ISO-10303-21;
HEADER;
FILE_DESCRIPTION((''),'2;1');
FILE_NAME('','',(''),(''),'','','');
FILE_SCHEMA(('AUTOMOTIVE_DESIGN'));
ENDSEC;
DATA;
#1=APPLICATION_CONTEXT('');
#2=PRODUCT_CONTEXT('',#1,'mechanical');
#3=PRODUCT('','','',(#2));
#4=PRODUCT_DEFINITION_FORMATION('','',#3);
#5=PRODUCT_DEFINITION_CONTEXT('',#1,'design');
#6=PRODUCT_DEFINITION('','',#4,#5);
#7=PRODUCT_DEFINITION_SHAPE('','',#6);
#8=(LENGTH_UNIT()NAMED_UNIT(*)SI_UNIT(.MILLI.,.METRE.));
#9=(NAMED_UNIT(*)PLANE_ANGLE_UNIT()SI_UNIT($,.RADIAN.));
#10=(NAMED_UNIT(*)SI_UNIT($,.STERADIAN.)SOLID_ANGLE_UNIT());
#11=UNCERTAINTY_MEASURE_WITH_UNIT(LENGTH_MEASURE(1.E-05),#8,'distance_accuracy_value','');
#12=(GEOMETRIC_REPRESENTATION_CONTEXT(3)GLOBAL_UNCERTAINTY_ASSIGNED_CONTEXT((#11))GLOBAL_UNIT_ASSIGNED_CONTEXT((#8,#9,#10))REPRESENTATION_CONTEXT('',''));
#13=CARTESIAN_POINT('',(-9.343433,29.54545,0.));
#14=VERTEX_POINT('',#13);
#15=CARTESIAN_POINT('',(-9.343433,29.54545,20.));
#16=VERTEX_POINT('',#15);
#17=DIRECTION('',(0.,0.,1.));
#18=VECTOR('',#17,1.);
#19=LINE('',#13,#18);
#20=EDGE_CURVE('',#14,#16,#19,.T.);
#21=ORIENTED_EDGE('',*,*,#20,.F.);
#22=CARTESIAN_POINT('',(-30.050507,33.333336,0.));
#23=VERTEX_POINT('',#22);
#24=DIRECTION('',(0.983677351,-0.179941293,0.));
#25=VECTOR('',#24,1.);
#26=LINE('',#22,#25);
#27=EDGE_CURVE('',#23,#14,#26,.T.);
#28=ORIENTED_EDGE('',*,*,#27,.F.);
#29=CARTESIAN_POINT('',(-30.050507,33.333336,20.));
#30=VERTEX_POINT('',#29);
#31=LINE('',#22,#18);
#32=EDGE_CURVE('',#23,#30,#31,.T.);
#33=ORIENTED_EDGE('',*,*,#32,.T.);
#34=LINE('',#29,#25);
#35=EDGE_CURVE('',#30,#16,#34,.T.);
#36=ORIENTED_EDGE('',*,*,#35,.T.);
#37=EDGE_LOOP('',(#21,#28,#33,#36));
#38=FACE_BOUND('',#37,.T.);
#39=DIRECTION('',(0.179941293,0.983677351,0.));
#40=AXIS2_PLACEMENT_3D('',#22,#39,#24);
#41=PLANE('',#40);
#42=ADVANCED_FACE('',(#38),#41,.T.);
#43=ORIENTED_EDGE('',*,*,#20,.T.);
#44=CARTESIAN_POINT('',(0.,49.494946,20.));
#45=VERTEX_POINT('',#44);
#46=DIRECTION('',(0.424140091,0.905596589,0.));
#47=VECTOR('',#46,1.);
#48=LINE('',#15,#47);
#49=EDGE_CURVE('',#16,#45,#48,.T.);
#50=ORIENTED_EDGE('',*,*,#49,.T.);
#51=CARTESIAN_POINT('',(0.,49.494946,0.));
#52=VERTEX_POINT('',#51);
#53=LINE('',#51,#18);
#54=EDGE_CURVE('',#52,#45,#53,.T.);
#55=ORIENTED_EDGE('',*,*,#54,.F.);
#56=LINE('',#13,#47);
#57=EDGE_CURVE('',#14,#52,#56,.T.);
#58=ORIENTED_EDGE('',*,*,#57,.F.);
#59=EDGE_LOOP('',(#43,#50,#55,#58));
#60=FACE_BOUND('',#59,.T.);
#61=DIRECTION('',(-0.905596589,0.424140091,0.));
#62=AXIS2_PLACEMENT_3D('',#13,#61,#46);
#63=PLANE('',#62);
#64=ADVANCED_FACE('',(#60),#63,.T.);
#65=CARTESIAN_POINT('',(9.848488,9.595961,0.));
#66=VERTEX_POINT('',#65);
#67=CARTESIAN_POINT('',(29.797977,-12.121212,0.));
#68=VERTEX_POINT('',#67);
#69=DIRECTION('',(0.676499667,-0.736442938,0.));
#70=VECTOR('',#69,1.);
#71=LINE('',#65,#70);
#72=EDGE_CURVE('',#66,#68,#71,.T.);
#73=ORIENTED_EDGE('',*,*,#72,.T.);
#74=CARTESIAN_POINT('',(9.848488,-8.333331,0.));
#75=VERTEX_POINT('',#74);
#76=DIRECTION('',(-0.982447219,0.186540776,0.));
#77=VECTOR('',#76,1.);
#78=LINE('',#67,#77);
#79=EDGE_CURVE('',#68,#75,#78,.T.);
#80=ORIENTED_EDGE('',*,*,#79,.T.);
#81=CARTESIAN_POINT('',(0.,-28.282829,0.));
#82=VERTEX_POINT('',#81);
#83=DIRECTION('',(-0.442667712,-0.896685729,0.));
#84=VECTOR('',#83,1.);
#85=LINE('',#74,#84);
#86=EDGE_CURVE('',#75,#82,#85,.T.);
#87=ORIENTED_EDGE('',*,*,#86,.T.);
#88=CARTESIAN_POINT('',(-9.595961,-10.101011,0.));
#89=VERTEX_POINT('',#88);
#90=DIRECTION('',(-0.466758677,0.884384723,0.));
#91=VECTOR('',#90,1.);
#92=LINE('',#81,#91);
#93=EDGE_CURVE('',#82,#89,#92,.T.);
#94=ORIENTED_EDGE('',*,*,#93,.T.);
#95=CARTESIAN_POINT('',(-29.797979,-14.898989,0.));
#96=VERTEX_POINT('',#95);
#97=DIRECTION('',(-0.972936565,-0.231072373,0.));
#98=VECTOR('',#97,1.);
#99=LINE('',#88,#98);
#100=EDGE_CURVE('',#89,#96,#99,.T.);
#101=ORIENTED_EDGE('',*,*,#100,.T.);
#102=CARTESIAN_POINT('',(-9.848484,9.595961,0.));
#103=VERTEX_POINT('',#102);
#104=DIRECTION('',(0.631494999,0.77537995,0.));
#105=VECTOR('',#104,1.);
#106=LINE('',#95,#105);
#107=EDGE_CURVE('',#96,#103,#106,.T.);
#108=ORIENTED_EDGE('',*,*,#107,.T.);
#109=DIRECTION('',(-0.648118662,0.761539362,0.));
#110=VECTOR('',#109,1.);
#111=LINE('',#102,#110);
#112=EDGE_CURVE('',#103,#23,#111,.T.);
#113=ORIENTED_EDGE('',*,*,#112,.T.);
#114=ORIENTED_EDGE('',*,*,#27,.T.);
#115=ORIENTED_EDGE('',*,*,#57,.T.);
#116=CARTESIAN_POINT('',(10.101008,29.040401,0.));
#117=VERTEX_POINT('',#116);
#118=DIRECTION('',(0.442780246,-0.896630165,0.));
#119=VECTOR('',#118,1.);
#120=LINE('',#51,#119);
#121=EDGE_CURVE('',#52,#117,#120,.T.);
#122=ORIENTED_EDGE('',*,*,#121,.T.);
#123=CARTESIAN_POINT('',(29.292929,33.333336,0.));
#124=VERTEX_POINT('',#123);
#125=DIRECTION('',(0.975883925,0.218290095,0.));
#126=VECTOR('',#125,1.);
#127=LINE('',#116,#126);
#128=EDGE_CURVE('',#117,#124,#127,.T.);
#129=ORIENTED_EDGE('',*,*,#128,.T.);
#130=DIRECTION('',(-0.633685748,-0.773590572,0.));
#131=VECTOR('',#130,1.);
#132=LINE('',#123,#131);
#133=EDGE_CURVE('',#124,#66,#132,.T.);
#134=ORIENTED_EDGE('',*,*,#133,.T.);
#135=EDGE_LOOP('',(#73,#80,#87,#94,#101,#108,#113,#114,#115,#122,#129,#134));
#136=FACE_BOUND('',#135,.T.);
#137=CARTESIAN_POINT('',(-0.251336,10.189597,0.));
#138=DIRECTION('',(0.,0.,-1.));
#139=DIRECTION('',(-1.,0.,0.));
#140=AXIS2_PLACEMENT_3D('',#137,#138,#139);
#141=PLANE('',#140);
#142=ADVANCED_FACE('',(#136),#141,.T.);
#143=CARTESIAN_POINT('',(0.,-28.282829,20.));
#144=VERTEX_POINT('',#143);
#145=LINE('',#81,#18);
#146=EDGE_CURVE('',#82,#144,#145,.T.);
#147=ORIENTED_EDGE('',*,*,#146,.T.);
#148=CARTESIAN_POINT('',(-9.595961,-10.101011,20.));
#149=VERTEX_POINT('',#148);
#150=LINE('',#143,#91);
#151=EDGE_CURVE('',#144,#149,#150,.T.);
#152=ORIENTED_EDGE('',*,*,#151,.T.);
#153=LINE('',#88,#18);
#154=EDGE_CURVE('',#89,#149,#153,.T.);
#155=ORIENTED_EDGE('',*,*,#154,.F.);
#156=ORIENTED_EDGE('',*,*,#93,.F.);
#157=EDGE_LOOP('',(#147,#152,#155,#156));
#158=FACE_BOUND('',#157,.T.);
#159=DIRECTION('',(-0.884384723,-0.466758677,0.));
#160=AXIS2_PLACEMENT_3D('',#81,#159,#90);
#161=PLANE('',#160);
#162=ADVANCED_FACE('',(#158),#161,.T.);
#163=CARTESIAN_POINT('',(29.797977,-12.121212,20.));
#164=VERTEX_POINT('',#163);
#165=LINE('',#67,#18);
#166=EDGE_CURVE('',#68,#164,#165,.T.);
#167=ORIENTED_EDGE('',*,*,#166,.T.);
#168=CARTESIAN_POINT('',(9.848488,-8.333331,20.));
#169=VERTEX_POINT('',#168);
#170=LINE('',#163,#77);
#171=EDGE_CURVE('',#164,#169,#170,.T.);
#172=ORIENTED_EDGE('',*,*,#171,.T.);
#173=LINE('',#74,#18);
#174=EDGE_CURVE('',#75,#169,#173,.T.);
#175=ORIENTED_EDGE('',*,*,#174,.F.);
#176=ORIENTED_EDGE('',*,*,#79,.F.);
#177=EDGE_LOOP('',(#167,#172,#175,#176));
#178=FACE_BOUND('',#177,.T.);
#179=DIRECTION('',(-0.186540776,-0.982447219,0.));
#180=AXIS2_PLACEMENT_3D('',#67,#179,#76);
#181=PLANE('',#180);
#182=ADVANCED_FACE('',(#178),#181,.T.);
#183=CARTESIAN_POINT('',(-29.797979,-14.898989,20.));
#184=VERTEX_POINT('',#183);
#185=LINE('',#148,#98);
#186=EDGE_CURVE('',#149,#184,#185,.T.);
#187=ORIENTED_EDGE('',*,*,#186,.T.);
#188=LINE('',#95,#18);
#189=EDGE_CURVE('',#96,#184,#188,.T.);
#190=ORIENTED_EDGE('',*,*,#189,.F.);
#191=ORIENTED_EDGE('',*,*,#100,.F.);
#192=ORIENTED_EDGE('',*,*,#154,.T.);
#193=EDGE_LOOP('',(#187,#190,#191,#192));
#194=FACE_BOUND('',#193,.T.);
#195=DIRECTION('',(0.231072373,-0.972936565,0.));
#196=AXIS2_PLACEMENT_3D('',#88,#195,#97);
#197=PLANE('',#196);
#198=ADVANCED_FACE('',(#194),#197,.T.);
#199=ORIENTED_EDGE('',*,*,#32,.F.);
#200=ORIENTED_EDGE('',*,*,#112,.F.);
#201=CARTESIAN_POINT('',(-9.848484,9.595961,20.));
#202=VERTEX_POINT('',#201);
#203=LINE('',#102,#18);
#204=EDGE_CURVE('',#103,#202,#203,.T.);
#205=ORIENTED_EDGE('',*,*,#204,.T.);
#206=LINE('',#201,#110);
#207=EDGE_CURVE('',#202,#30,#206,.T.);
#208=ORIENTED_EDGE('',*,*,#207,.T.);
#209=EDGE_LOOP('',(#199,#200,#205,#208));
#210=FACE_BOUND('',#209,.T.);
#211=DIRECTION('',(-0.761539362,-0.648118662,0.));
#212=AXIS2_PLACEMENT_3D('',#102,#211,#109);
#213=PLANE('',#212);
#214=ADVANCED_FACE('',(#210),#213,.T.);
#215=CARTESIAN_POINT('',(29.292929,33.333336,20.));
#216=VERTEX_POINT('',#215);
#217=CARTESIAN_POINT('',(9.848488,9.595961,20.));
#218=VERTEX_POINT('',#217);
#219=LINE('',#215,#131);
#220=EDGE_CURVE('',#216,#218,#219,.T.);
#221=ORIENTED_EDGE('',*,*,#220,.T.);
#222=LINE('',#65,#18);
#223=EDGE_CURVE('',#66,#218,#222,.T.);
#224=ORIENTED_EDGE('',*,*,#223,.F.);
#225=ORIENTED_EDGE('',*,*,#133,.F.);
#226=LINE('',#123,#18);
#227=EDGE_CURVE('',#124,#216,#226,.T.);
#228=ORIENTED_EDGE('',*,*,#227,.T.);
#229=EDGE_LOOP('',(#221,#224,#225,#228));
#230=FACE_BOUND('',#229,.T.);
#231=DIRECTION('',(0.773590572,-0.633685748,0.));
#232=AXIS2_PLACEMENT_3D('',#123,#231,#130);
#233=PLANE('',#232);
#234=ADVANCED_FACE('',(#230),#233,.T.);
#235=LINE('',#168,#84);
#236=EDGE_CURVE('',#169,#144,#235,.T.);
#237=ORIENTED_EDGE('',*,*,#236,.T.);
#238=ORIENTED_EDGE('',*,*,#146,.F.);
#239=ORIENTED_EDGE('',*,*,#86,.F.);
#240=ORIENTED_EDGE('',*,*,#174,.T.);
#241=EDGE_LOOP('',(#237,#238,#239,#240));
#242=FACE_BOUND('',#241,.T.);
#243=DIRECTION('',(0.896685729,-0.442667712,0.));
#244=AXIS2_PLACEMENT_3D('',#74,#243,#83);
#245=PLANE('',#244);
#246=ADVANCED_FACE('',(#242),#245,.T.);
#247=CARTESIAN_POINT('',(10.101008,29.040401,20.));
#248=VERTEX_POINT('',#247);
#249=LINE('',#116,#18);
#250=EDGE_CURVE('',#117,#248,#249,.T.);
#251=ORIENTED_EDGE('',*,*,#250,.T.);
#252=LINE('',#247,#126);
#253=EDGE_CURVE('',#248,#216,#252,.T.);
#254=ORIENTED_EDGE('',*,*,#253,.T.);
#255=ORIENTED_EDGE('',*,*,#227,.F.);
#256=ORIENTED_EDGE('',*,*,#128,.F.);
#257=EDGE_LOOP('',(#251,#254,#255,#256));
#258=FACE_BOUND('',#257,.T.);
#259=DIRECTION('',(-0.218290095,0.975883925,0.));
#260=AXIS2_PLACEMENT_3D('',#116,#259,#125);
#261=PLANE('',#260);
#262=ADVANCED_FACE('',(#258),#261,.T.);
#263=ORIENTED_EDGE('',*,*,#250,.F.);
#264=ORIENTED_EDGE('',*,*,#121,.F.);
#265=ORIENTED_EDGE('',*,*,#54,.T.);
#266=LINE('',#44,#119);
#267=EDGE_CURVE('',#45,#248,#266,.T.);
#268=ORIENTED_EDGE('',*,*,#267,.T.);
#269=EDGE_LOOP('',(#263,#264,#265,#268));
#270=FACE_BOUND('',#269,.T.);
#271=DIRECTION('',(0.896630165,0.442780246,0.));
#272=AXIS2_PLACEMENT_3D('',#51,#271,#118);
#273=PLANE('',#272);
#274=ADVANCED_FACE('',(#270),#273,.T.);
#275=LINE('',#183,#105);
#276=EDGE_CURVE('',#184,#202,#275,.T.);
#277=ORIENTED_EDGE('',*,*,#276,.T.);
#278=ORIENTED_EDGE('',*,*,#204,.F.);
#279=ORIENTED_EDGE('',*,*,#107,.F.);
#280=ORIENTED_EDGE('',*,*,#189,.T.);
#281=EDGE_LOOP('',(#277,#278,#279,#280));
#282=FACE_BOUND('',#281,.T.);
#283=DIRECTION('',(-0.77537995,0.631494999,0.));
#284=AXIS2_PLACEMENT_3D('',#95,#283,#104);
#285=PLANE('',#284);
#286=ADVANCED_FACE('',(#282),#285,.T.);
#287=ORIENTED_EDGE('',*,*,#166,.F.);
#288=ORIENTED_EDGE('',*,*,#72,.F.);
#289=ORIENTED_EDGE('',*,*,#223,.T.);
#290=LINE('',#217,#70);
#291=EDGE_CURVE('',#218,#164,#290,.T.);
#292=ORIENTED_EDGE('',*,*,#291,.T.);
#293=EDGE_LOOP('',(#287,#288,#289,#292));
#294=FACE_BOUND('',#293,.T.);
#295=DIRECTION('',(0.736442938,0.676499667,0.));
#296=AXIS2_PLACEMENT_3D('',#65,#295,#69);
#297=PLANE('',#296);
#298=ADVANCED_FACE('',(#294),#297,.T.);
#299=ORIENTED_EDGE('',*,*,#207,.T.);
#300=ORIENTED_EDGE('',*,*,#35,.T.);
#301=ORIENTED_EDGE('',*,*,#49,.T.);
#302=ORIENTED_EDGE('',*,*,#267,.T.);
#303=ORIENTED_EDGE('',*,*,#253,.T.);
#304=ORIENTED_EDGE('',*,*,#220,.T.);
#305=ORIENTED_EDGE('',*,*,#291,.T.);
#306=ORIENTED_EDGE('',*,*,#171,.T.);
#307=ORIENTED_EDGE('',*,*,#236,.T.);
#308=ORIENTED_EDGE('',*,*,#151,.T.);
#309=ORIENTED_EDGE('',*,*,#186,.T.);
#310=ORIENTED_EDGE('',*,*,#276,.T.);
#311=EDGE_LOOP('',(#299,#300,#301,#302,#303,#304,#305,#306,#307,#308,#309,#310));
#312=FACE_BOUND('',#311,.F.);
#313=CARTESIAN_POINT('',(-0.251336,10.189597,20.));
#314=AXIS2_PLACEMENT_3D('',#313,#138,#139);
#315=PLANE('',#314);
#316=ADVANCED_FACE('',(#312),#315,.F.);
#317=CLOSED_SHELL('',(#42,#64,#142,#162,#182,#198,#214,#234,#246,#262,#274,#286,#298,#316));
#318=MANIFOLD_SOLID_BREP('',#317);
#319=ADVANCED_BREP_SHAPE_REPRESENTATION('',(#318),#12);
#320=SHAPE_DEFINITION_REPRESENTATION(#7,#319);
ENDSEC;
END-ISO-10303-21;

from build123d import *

# Parameters (mm, degrees)
PAD_DEPTH = 20


with BuildPart() as part:
    # Sketch → Pad (new body)
    with BuildSketch(Plane.XY):
        Polygon((0, 49.494946), (10.101008, 29.040401), (29.292929, 33.333336), (9.848488, 9.595961), (29.797977, -12.121212), (9.848488, -8.333331), (0, -28.282829), (-9.595961, -10.101011), (-29.797979, -14.898989), (-9.848484, 9.595961), (-30.050507, 33.333336), (-9.343433, 29.54545), align=None)
    extrude(amount=PAD_DEPTH)


solid = part.part
